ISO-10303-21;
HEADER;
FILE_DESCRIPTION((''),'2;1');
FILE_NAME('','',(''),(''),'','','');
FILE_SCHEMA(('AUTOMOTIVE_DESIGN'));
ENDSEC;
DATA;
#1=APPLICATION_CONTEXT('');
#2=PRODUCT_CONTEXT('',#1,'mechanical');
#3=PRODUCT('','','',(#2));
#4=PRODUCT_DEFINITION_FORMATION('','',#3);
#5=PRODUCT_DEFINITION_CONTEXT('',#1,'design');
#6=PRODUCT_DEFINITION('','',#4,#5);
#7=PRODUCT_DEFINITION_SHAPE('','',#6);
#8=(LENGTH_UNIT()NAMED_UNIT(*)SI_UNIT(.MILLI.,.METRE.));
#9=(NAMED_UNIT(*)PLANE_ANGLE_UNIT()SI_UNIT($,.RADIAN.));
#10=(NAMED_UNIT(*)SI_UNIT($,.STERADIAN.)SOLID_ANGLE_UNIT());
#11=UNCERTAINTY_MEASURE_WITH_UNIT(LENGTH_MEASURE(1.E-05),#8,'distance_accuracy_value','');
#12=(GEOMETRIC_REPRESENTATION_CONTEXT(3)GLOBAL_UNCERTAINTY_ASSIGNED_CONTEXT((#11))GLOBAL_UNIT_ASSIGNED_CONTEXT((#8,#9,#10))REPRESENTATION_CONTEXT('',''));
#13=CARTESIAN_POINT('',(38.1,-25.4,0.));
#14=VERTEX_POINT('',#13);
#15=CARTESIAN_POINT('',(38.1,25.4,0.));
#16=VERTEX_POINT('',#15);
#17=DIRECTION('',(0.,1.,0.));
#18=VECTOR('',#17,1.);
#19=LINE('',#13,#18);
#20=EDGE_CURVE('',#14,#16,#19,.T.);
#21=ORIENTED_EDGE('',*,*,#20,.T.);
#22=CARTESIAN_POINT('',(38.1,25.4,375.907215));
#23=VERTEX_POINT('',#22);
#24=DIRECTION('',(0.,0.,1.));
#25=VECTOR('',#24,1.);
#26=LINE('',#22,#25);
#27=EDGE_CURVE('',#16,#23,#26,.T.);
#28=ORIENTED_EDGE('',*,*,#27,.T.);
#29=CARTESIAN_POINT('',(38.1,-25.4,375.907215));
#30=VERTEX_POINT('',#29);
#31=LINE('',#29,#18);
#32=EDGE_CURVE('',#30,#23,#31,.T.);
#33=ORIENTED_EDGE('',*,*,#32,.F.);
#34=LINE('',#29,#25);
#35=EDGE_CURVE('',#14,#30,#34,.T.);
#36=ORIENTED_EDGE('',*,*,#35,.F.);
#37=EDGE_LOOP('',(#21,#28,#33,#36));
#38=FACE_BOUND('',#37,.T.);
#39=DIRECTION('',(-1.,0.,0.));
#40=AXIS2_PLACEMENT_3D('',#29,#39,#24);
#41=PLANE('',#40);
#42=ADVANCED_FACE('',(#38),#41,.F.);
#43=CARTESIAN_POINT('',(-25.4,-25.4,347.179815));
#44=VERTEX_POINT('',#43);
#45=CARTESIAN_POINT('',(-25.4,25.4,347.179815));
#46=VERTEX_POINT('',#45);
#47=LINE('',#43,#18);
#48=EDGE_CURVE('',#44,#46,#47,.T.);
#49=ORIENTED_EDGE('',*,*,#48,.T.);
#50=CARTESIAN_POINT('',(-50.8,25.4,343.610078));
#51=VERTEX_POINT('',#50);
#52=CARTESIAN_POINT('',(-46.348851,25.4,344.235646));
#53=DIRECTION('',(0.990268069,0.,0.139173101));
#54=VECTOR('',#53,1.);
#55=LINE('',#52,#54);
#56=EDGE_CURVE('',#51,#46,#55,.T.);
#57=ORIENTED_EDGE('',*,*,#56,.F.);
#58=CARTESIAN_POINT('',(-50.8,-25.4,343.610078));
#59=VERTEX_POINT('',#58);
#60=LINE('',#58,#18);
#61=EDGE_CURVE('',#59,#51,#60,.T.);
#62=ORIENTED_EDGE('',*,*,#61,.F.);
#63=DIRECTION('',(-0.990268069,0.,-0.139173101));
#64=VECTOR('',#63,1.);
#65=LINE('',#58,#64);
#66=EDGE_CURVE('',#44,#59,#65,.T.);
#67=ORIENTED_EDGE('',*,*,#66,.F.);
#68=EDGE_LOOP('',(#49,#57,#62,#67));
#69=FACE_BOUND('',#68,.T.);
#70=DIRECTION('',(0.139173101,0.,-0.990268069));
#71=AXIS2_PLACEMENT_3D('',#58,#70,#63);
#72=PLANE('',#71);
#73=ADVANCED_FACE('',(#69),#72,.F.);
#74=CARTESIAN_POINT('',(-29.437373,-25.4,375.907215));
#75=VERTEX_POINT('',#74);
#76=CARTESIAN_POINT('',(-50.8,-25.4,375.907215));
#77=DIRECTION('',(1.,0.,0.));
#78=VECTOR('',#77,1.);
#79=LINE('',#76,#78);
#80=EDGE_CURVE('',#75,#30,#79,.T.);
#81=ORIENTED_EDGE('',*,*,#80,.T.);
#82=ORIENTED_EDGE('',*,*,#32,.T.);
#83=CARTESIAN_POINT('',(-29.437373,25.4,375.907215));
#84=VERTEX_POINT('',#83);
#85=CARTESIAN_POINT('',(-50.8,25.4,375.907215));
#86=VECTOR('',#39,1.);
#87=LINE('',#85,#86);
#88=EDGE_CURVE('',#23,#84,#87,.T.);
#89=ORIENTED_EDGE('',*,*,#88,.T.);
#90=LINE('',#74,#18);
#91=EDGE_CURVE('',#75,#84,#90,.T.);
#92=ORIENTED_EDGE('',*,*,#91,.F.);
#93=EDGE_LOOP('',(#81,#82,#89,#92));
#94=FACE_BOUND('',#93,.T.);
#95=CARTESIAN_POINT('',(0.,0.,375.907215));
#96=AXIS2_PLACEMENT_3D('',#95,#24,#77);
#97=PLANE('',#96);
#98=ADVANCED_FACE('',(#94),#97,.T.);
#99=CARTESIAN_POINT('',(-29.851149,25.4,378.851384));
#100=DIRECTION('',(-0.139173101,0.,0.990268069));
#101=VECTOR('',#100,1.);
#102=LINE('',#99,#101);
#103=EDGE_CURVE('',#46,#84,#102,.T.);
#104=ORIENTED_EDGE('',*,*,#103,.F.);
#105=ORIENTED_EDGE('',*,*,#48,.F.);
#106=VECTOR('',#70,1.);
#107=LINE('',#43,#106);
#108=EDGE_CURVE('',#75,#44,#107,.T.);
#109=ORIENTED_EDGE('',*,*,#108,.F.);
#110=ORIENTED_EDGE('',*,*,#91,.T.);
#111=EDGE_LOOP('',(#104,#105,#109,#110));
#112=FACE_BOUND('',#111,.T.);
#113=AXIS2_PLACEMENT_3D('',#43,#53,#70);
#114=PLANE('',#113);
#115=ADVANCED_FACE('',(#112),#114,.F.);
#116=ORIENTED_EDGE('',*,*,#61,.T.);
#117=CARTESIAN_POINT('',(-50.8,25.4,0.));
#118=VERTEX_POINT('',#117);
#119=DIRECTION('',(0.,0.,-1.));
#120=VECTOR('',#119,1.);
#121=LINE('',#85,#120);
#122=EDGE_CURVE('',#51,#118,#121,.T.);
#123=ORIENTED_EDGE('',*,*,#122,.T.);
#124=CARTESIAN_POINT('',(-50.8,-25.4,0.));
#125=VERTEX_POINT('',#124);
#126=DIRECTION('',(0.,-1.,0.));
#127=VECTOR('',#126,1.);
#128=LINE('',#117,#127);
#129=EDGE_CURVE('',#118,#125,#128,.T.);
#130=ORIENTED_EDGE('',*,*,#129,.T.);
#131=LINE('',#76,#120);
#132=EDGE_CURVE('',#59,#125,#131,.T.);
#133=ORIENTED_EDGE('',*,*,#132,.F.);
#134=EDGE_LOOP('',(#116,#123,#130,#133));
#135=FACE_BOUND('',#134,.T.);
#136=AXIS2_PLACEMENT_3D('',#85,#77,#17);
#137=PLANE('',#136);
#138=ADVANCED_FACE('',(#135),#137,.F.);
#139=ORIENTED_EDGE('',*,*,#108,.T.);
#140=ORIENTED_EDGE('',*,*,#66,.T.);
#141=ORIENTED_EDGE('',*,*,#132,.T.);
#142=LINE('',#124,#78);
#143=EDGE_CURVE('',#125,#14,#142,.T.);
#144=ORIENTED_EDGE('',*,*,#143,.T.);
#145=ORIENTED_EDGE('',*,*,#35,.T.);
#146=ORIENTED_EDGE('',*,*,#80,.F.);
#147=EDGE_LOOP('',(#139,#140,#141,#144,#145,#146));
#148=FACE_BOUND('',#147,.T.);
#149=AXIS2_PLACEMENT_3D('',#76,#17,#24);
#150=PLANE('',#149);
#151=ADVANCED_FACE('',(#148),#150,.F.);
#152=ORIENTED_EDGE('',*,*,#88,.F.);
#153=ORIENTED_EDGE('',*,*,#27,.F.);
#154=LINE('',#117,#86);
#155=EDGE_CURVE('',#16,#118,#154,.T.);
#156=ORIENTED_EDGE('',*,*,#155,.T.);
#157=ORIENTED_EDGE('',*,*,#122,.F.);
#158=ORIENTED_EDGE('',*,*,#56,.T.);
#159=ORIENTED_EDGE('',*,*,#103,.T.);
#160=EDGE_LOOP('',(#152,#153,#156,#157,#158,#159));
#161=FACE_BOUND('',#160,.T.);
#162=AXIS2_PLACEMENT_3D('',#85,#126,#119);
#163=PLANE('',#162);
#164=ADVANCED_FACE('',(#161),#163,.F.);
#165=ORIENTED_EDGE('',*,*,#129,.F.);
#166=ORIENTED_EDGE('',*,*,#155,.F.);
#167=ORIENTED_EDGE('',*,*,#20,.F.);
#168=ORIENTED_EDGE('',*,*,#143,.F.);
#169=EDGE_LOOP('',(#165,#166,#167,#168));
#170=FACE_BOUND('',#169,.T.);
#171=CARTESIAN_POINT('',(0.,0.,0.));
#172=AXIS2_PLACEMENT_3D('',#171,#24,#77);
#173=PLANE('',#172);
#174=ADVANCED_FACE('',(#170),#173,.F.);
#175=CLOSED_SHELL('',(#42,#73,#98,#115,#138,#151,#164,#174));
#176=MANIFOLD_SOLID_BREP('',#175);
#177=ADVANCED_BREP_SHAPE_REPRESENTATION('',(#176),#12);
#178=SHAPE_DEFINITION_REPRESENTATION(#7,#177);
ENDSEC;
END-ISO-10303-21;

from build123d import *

# Parameters (mm, degrees)
SKETCH1_W               = 101.6
SKETCH1_H               = 50.8
BOSS_EXTRUDE1_DEPTH     = 375.907215418
CUT_EXTRUDE1_DEPTH      = 383.710745346
CUT_EXTRUDE1_DEPTH_BACK = 383.710745346
CUT_EXTRUDE2_DEPTH      = 383.710745346
CUT_EXTRUDE2_DEPTH_BACK = 383.710745346
SKETCH3_W               = 12.7
SKETCH3_H               = 375.907215418


with BuildPart() as part:
    # Sketch1 → Boss-Extrude1 (new body)
    with BuildSketch(Plane.XY):
        Rectangle(SKETCH1_W, SKETCH1_H)
    extrude(amount=BOSS_EXTRUDE1_DEPTH)

    # Sketch2 → Cut-Extrude1 (cut, two sides: drawn at the far end of the back side and taken through both)
    with BuildSketch(Plane(origin=(0, 25.4, 0), x_dir=(1, 0, 0), z_dir=(0, 1, 0)).offset(-CUT_EXTRUDE1_DEPTH_BACK)):
        Polygon((-50.8, -343.610078217), (-25.4, -347.179815418), (-29.437372775, -375.907215418), (-50.8, -375.907215418), align=None)
    extrude(amount=CUT_EXTRUDE1_DEPTH + CUT_EXTRUDE1_DEPTH_BACK, mode=Mode.SUBTRACT)

    # Sketch3 → Cut-Extrude2 (cut, two sides: drawn at the far end of the back side and taken through both)
    with BuildSketch(Plane(origin=(0, 25.4, 0), x_dir=(1, 0, 0), z_dir=(0, 1, 0)).offset(-CUT_EXTRUDE2_DEPTH_BACK)):
        with Locations((44.45, -187.953607709)):
            Rectangle(SKETCH3_W, SKETCH3_H)
    extrude(amount=CUT_EXTRUDE2_DEPTH + CUT_EXTRUDE2_DEPTH_BACK, mode=Mode.SUBTRACT)


solid = part.part
